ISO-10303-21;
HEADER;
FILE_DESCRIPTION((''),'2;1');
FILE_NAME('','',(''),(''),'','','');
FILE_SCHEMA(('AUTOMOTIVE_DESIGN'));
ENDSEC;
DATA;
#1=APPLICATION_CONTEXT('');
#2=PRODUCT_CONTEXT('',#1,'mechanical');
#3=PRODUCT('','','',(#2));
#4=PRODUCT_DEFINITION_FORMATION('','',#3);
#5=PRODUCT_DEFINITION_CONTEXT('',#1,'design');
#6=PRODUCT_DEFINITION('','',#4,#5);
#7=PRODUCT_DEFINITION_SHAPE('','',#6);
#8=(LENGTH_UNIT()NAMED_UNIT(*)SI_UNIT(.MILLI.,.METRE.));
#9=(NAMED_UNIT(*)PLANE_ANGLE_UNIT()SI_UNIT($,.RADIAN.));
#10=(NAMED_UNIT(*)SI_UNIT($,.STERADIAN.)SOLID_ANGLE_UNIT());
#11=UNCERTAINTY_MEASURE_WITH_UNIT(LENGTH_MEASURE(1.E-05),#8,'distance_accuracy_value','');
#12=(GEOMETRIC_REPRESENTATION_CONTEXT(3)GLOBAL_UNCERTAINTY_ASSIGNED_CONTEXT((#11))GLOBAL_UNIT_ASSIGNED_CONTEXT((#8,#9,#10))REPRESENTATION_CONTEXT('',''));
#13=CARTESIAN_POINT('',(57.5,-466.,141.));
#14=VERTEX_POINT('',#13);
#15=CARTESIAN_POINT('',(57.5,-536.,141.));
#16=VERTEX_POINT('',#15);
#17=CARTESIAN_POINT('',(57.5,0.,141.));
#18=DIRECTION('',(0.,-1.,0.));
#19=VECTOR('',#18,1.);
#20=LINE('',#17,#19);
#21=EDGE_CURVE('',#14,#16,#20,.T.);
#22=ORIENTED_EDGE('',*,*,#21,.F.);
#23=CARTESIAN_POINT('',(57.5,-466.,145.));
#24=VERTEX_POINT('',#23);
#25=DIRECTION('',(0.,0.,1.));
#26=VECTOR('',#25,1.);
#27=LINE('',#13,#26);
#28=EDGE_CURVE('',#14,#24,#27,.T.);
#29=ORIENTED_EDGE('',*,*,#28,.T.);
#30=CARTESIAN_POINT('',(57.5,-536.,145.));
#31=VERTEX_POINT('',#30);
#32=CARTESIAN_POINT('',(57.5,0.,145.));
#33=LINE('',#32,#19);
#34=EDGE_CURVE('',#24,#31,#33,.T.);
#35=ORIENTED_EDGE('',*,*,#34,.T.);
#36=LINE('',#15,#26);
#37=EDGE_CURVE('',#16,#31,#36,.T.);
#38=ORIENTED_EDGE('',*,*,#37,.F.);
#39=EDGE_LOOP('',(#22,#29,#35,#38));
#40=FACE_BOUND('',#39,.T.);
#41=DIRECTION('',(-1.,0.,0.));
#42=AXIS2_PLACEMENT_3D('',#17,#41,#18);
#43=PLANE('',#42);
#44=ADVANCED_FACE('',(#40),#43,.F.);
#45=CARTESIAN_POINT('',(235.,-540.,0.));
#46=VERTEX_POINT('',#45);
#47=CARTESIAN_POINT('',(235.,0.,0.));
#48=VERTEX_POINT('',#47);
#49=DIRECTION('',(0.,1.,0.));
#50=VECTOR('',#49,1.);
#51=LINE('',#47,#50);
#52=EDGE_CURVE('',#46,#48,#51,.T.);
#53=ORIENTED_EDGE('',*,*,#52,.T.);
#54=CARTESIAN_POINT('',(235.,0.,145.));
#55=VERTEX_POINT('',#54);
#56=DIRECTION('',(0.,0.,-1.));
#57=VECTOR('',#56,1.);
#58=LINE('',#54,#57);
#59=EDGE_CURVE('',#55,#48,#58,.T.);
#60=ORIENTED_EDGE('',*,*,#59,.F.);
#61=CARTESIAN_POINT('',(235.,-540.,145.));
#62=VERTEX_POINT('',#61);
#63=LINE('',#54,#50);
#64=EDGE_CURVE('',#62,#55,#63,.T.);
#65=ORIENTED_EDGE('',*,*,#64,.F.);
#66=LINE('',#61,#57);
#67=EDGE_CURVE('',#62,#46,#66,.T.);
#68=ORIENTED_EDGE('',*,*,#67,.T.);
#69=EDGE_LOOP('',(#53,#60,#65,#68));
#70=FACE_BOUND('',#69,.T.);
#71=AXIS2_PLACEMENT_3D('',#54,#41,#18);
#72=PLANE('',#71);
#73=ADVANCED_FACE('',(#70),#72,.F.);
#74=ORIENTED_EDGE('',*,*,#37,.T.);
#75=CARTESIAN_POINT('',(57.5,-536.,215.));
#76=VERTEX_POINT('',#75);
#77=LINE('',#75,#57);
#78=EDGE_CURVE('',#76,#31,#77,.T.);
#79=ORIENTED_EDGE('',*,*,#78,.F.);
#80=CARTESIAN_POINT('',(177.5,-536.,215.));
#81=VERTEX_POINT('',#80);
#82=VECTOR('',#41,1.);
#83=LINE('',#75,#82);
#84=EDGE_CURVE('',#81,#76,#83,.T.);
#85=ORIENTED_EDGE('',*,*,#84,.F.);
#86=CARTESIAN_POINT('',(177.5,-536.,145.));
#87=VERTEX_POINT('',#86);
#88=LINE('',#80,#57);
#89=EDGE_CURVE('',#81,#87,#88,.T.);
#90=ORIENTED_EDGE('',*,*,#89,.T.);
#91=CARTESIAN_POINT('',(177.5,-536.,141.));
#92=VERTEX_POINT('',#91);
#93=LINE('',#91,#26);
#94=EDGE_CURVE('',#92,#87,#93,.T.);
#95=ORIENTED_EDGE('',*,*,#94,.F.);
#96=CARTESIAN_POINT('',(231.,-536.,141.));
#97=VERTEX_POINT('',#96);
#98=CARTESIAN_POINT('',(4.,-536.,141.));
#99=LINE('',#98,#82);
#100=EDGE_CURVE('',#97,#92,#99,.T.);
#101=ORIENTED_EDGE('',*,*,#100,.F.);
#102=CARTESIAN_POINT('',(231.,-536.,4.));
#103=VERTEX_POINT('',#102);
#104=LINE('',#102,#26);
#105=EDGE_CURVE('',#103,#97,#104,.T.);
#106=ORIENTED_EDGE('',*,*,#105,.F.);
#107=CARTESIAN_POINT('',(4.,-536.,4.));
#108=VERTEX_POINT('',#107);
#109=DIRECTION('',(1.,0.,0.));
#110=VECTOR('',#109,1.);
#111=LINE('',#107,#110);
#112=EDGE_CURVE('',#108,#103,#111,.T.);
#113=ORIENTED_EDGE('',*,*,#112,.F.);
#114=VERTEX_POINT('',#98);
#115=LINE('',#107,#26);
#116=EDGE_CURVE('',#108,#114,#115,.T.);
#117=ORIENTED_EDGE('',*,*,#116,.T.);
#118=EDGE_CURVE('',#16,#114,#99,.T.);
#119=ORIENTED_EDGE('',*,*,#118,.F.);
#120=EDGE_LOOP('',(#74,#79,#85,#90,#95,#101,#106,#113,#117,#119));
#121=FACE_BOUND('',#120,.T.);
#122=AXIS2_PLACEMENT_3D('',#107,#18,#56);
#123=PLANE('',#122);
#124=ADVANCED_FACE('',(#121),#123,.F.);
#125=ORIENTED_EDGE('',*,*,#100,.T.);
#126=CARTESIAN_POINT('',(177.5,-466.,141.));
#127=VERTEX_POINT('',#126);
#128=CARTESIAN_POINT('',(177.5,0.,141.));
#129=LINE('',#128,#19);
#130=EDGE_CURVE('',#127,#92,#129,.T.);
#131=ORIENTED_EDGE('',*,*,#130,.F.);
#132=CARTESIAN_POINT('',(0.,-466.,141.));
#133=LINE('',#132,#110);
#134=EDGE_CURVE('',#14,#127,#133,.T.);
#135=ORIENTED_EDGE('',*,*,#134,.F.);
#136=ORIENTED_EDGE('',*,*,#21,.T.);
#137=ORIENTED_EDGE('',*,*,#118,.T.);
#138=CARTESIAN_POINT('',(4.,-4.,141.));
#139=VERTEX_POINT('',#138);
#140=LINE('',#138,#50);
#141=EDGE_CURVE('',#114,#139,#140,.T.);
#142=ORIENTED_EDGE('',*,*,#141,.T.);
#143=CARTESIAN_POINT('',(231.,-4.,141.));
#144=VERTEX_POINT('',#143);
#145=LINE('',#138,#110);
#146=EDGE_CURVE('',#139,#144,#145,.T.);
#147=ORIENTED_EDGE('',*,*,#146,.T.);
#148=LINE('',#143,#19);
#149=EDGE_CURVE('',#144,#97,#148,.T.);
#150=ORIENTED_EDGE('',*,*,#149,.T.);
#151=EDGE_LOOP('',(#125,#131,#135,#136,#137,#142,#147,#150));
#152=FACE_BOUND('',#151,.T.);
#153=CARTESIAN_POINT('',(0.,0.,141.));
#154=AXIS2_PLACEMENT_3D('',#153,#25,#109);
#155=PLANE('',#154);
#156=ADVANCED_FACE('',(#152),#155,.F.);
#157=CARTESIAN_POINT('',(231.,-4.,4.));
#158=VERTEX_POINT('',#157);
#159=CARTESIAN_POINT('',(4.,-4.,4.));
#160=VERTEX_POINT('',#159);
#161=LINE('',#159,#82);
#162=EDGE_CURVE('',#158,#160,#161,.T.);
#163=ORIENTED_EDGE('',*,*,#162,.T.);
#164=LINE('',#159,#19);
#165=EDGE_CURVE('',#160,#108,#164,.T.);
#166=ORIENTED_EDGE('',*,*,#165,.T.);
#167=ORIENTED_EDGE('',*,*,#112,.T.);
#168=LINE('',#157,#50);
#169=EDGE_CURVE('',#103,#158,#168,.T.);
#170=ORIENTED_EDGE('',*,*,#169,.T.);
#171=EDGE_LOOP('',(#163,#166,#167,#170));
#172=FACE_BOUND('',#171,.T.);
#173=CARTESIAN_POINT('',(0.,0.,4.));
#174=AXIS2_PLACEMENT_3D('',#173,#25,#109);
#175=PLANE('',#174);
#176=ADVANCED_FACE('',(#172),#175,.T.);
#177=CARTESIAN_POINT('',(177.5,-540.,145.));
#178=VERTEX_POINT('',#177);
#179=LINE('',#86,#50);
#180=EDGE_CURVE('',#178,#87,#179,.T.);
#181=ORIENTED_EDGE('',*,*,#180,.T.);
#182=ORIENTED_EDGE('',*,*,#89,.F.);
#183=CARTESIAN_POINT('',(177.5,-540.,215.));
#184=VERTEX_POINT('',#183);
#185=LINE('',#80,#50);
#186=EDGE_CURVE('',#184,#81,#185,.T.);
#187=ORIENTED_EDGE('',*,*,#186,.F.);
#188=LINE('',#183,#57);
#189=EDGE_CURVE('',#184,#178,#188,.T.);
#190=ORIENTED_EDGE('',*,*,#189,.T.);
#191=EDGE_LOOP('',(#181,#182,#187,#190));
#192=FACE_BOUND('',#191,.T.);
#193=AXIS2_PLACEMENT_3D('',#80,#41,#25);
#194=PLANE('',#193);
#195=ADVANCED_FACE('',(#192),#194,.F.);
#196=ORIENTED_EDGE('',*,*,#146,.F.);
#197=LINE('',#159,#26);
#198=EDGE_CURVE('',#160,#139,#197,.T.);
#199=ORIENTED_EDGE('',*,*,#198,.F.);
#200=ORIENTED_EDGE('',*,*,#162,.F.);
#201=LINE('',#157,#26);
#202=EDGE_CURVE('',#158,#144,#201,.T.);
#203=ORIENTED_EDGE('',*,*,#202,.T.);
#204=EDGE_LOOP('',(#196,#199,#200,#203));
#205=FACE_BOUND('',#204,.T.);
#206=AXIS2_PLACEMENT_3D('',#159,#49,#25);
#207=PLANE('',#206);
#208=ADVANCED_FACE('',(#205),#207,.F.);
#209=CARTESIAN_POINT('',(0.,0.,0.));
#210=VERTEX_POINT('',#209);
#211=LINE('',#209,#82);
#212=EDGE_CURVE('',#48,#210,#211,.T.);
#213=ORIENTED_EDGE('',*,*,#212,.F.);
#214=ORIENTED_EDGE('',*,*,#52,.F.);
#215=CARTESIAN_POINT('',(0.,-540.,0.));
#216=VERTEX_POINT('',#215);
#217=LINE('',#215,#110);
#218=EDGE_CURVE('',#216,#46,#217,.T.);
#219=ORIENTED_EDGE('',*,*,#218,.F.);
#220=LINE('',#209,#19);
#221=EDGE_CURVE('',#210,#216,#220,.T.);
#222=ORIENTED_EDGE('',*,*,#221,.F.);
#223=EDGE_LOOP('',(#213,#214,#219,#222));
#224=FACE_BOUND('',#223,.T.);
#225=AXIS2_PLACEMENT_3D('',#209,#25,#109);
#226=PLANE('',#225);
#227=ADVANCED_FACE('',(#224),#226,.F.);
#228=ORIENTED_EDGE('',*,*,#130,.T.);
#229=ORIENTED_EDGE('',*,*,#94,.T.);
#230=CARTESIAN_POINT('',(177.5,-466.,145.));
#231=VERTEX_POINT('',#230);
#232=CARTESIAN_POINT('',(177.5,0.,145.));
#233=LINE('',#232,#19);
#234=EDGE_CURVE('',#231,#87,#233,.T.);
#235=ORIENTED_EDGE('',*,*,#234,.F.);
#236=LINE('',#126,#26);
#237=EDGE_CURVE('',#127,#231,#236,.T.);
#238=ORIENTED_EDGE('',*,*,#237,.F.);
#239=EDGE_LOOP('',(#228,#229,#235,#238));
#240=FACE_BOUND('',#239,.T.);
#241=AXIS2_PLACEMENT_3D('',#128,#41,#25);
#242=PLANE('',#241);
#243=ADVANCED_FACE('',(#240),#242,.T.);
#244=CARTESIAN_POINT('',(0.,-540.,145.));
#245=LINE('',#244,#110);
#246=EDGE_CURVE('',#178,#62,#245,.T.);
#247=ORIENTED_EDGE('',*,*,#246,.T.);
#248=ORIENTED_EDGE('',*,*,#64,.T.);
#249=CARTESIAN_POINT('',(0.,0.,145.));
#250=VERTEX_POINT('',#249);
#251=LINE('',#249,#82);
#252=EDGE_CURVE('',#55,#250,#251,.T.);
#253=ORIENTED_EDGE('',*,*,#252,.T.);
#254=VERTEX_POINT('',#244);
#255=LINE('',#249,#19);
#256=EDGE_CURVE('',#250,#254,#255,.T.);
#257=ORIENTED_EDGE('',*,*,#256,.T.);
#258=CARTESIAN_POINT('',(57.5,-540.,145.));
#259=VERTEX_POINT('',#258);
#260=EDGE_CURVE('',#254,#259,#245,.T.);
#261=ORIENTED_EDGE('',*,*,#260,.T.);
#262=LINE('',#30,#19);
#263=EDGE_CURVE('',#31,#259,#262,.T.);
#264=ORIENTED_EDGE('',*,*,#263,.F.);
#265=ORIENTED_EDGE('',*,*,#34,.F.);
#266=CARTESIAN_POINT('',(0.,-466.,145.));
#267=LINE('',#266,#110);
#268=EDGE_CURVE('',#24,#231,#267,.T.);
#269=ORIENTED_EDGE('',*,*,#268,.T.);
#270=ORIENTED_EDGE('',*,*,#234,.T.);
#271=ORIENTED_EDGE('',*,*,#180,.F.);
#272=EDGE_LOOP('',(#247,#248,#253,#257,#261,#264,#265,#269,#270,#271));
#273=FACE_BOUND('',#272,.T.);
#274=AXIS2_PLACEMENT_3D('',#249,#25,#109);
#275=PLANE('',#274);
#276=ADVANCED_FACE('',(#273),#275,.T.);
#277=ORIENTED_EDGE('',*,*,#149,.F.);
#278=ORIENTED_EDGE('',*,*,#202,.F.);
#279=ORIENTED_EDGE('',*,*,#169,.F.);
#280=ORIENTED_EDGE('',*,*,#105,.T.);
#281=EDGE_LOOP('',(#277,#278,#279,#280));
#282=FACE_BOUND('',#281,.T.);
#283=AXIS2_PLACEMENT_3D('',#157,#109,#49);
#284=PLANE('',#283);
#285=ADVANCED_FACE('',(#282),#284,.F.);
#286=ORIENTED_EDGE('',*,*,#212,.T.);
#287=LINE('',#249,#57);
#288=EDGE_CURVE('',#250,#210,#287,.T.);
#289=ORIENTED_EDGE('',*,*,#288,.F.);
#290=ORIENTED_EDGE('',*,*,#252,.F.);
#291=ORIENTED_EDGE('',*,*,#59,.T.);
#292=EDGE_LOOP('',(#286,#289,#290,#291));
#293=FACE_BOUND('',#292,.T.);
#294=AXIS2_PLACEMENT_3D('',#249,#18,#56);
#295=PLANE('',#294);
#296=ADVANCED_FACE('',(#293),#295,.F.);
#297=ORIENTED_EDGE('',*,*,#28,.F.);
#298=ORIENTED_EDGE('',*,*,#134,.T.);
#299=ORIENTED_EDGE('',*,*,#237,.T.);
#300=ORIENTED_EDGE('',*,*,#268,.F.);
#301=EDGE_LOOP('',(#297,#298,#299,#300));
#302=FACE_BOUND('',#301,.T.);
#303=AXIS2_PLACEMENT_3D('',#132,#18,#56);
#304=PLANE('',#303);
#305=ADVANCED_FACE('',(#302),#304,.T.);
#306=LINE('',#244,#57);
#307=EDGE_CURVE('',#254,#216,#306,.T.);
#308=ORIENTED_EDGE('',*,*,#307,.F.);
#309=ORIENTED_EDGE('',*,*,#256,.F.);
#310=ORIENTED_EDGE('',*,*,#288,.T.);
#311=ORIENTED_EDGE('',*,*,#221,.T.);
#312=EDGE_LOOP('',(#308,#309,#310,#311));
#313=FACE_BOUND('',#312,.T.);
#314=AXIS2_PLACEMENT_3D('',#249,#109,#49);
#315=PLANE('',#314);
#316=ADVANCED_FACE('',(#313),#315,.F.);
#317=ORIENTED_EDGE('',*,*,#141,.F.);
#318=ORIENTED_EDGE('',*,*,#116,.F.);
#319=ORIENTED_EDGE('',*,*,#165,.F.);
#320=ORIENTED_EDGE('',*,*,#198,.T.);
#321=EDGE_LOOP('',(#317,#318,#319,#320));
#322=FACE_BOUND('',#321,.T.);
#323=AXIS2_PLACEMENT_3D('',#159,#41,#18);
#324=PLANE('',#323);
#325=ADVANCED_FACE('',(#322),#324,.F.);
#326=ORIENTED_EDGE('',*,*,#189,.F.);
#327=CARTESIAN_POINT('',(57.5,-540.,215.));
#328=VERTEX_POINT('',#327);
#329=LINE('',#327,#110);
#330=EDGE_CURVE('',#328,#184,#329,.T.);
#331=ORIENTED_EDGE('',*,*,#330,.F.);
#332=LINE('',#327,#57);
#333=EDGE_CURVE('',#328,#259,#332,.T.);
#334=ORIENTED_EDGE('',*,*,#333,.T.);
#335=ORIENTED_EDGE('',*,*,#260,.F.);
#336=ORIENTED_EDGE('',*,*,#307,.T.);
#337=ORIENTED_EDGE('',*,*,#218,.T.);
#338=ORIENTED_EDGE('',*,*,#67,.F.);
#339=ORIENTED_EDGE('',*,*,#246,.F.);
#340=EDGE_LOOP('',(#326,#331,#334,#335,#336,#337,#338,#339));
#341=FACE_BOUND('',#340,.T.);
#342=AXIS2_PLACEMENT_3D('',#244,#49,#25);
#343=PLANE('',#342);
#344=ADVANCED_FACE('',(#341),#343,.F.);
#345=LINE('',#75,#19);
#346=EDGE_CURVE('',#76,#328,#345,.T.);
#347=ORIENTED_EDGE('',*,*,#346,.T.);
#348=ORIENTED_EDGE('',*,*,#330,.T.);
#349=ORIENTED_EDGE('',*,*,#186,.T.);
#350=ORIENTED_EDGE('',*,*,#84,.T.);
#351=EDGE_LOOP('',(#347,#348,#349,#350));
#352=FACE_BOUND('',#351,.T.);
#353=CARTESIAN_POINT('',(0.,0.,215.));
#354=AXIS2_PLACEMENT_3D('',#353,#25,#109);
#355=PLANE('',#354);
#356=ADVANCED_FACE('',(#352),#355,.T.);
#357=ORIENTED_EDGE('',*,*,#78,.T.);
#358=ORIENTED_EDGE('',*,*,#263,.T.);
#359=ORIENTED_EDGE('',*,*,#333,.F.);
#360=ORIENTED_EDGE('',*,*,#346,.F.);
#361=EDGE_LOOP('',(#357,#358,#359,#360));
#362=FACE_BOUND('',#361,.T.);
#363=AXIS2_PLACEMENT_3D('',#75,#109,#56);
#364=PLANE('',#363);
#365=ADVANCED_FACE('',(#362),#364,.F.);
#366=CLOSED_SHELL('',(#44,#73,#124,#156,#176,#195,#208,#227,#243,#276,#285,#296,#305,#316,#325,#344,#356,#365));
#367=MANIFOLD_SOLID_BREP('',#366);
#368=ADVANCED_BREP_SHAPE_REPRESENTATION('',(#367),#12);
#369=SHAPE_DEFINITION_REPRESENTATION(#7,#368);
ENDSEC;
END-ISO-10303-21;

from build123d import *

# Parameters (mm, degrees)
ESQUISSE1_W             = 235
ESQUISSE1_H             = 540
BOSS_EXTRU_1_DEPTH      = 145
ESQUISSE2_W             = 227
ESQUISSE2_H             = 532
ENL_V_MAT_EXTRU_1_DEPTH = 141
ESQUISSE3_W             = 235
ESQUISSE3_H             = 540
BOSS_EXTRU_2_DEPTH      = 4
ESQUISSE4_W             = 120
ESQUISSE4_H             = 70
ENL_V_MAT_EXTRU_2_DEPTH = 4
ESQUISSE5_W             = 120
ESQUISSE5_H             = 4
BOSS_EXTRU_3_DEPTH      = 70


with BuildPart() as part:
    # Esquisse1 → Boss.-Extru.1 (new body)
    with BuildSketch(Plane.XY):
        with Locations((117.5, -270)):
            Rectangle(ESQUISSE1_W, ESQUISSE1_H)
    extrude(amount=BOSS_EXTRU_1_DEPTH)

    # Esquisse2 → Enlèv. mat.-Extru.1 (cut)
    with BuildSketch(Plane.XY.offset(145)):
        with Locations((117.5, -270)):
            Rectangle(ESQUISSE2_W, ESQUISSE2_H)
    extrude(amount=-ENL_V_MAT_EXTRU_1_DEPTH, mode=Mode.SUBTRACT)

    # Esquisse3 → Boss.-Extru.2 (add)
    with BuildSketch(Plane.XY.offset(145)):
        with Locations((117.5, -270)):
            Rectangle(ESQUISSE3_W, ESQUISSE3_H)
    extrude(amount=-BOSS_EXTRU_2_DEPTH)

    # Esquisse4 → Enlèv. mat.-Extru.2 (cut)
    with BuildSketch(Plane.XY.offset(145)):
        with Locations((117.5, -501)):
            Rectangle(ESQUISSE4_W, ESQUISSE4_H)
    extrude(amount=-ENL_V_MAT_EXTRU_2_DEPTH, mode=Mode.SUBTRACT)

    # Esquisse5 → Boss.-Extru.3 (add)
    with BuildSketch(Plane.XY.offset(145)):
        with Locations((117.5, -538)):
            Rectangle(ESQUISSE5_W, ESQUISSE5_H)
    extrude(amount=BOSS_EXTRU_3_DEPTH)


solid = part.part
